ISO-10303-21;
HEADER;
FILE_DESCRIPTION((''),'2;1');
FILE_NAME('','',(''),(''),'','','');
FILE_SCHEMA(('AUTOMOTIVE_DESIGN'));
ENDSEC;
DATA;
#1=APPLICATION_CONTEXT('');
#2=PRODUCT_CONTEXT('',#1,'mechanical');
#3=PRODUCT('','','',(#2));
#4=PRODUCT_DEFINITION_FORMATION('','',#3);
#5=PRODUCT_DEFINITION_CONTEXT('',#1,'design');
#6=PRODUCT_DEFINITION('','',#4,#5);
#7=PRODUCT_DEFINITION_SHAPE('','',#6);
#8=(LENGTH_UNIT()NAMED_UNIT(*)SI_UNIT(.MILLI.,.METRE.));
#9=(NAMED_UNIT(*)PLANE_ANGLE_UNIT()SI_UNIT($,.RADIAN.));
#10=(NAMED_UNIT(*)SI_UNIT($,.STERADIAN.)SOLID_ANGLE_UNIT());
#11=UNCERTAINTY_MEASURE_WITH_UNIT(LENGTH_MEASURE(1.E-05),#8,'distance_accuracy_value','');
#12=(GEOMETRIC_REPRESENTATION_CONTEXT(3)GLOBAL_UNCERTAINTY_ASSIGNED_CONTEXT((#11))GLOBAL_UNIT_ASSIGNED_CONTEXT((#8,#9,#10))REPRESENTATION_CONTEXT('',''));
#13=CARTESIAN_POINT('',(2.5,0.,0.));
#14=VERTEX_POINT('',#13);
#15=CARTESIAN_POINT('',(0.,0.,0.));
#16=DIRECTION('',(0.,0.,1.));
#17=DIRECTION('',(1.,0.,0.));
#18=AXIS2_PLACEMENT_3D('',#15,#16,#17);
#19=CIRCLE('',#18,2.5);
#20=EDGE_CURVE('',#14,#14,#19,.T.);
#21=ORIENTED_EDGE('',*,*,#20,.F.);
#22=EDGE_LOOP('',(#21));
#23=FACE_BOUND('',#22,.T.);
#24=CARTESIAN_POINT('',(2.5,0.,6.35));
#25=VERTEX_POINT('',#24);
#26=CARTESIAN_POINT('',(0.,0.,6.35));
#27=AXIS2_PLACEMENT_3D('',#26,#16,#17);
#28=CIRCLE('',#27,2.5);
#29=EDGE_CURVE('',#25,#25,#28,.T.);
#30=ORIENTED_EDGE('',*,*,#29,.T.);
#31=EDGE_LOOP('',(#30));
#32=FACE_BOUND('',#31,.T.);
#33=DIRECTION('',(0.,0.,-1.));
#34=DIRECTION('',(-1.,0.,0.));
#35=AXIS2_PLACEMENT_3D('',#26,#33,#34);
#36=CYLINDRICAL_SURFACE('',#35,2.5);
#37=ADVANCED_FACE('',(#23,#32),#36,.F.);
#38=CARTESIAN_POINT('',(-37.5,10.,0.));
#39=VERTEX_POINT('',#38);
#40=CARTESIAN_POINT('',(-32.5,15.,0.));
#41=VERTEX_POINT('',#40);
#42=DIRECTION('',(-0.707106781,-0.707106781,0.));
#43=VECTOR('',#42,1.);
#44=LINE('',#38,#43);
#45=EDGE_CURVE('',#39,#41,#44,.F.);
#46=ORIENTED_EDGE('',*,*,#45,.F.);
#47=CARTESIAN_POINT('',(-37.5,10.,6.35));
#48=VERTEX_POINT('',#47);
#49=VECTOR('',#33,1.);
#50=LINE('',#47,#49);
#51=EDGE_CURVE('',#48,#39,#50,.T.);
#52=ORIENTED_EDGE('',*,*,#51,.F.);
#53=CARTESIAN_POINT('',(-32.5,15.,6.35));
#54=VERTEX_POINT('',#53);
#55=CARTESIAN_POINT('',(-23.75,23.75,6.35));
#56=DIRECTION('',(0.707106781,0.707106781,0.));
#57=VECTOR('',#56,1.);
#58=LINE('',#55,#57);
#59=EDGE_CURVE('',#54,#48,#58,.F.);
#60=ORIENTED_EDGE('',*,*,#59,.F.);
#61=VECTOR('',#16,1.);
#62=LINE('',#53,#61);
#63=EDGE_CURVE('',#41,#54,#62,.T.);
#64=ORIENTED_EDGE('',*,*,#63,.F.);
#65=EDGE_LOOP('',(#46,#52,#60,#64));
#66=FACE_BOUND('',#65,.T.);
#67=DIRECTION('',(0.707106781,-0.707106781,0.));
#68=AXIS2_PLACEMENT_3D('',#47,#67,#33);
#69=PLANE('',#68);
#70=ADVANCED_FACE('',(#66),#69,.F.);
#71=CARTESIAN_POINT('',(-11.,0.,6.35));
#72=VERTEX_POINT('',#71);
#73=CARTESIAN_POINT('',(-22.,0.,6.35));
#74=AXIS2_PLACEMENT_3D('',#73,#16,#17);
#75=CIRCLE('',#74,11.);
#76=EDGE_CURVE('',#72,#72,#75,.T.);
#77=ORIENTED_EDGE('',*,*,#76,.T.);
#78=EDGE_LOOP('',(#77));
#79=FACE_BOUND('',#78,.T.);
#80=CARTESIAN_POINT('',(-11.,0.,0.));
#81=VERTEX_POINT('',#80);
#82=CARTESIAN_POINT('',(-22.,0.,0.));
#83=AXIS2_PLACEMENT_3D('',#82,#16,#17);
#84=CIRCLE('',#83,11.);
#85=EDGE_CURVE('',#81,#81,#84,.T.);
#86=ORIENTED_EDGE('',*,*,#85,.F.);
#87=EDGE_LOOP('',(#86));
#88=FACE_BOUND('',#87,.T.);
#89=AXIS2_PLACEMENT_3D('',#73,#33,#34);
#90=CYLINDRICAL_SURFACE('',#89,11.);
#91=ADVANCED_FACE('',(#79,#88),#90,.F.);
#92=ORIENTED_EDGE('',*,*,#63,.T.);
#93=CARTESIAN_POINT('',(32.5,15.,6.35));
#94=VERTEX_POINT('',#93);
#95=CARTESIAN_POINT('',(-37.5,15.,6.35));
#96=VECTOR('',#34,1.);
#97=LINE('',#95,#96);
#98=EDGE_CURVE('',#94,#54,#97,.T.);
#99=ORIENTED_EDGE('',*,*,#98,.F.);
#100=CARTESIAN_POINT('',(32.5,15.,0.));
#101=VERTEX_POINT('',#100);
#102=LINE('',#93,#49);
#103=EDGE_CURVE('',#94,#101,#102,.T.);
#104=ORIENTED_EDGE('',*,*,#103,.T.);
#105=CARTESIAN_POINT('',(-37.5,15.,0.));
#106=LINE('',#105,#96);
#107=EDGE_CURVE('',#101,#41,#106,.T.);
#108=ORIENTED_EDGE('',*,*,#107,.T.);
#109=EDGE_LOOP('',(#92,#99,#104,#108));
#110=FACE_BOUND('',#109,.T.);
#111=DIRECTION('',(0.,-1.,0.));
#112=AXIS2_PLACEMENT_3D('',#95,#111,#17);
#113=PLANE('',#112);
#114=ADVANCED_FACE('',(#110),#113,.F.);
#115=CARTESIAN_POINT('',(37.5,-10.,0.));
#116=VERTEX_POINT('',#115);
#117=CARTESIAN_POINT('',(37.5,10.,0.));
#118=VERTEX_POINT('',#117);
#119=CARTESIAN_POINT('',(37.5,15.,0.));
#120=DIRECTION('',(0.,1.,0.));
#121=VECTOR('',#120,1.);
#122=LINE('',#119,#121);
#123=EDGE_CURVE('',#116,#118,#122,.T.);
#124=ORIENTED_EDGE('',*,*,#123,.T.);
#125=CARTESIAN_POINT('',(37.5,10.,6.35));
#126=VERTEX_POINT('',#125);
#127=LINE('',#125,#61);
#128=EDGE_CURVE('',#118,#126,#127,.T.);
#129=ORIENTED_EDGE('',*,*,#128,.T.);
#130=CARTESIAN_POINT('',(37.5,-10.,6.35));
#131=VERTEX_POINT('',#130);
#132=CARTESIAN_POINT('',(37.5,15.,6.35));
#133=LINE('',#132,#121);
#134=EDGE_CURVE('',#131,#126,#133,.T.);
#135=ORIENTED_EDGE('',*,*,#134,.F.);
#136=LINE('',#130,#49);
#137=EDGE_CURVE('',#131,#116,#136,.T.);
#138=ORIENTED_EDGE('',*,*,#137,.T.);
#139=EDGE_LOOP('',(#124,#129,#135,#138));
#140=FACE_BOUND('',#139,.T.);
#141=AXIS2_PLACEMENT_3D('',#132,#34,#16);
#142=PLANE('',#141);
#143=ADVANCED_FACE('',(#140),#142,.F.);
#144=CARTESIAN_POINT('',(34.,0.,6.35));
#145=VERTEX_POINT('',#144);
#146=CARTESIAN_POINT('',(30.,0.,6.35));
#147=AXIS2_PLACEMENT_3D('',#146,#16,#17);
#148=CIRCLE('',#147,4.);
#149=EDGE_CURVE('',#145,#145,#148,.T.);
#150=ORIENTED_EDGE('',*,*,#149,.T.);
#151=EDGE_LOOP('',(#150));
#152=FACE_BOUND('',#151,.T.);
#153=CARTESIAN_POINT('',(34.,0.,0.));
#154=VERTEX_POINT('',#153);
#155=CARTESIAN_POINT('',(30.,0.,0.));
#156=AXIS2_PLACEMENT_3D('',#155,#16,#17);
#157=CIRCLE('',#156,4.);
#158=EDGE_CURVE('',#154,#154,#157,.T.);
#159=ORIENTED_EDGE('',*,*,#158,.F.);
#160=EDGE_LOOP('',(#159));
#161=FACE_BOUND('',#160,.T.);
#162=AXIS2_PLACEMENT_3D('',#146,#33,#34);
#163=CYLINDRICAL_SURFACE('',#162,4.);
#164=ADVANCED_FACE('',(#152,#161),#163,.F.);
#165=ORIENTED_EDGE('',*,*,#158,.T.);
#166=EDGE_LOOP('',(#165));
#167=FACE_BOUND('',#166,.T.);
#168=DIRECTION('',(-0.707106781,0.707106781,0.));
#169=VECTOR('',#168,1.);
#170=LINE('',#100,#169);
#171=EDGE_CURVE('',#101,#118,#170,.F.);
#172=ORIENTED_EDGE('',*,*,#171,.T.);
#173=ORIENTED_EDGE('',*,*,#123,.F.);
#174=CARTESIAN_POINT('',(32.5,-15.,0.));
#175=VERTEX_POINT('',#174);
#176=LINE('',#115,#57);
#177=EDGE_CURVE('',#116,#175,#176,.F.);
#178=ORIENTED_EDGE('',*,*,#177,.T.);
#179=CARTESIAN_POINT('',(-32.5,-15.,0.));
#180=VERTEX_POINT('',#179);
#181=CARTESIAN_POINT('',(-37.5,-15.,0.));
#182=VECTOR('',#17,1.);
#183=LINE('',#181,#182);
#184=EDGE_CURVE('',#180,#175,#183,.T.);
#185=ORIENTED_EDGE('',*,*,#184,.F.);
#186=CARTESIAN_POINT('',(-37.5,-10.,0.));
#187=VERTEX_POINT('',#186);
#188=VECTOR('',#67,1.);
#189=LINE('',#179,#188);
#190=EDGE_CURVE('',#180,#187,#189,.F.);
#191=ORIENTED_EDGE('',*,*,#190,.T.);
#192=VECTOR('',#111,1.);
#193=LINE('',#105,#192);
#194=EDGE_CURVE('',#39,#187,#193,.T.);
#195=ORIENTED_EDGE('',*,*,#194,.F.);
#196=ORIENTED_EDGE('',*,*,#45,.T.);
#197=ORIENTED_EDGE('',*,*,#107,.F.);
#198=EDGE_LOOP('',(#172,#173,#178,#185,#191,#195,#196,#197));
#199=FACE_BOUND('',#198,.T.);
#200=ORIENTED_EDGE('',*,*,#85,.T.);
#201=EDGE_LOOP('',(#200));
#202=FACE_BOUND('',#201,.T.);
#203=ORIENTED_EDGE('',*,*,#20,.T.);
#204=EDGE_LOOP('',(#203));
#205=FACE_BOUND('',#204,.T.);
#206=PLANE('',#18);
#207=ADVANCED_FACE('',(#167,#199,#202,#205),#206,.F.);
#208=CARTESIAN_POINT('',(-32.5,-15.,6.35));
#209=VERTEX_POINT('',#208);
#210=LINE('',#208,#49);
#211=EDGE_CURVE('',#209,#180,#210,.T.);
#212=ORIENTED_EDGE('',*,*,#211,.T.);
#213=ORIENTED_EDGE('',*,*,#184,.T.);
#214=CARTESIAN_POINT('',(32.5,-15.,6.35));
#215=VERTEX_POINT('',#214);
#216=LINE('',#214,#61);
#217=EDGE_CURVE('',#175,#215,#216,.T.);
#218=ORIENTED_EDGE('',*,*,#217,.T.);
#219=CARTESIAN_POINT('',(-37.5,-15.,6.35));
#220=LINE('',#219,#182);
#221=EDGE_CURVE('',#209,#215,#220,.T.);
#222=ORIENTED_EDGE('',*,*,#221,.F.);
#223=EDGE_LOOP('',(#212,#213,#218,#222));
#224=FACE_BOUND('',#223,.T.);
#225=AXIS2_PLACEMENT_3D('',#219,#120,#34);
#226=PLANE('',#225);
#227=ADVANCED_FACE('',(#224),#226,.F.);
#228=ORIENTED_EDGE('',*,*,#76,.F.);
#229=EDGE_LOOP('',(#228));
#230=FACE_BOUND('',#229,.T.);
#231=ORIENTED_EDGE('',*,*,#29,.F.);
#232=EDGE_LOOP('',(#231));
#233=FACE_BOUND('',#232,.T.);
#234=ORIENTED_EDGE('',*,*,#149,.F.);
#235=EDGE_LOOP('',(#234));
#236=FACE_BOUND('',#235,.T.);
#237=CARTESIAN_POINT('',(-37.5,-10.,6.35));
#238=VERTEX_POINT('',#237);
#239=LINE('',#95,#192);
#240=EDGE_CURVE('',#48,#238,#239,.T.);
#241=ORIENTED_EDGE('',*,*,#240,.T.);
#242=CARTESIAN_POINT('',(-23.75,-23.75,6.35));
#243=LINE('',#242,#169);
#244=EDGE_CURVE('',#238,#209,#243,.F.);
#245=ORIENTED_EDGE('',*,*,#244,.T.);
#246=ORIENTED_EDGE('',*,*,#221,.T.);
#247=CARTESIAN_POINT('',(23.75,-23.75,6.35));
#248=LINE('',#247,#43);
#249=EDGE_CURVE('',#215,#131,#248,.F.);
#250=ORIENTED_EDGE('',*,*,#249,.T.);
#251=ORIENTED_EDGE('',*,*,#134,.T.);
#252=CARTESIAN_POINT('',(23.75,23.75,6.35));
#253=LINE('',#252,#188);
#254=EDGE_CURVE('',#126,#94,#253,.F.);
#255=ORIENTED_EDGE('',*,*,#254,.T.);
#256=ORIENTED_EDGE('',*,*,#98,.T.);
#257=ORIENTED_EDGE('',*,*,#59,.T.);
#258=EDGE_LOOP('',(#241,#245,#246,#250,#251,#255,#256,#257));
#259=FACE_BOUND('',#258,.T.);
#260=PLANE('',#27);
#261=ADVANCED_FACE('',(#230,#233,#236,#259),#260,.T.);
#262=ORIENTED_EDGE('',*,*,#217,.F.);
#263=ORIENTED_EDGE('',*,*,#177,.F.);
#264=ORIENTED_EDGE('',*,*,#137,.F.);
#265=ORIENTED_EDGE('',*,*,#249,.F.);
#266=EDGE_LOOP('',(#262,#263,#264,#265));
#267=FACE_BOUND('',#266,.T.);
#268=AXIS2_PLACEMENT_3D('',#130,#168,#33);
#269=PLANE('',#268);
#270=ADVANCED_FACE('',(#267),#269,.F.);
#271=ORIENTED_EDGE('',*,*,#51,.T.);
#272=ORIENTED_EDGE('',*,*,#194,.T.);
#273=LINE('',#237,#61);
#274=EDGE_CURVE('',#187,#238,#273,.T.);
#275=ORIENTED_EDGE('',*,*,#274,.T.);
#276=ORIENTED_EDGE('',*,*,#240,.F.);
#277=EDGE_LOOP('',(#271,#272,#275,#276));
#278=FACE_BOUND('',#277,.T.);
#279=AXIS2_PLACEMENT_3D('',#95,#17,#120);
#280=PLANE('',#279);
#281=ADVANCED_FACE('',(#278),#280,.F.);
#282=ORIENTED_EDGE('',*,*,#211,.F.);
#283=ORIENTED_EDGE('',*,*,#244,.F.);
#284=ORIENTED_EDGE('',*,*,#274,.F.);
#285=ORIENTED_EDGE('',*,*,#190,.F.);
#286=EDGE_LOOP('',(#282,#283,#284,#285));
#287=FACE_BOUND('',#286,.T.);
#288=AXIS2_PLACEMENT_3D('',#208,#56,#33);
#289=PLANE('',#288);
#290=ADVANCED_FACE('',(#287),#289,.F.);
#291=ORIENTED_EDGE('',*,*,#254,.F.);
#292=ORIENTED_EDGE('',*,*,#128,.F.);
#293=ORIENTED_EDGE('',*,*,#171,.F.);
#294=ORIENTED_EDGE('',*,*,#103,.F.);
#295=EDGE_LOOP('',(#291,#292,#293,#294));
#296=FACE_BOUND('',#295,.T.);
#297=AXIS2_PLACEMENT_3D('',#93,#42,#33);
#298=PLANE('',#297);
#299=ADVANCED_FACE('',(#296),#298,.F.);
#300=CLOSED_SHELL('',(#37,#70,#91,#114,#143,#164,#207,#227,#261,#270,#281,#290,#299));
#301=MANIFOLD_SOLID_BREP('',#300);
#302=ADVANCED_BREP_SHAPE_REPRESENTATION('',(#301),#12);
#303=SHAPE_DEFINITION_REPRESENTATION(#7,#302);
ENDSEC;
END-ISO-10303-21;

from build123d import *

# Parameters (mm, degrees)
SKETCH1_W           = 75
SKETCH1_H           = 30
SKETCH1_R           = 11
SKETCH1_R_2         = 2.5
SKETCH1_R_3         = 4
BOSS_EXTRUDE1_DEPTH = 6.35
CHAMFER1_SIZE       = 5


with BuildPart() as part:
    # Sketch1 → Boss-Extrude1 (new body)
    with BuildSketch(Plane.XY):
        Rectangle(SKETCH1_W, SKETCH1_H)
        with Locations((-22, 0)):
            Circle(SKETCH1_R, mode=Mode.SUBTRACT)
        Circle(SKETCH1_R_2, mode=Mode.SUBTRACT)
        with Locations((30, 0)):
            Circle(SKETCH1_R_3, mode=Mode.SUBTRACT)
    extrude(amount=BOSS_EXTRUDE1_DEPTH)

    # Chamfer1
    chamfer1_edges = [part.edges().sort_by_distance(p)[0] for p in [
        (37.5, -15, 3.175),
        (-37.5, -15, 3.175),
        (-37.5, 15, 3.175),
        (37.5, 15, 3.175),
    ]]
    chamfer(chamfer1_edges, length=CHAMFER1_SIZE)


solid = part.part
